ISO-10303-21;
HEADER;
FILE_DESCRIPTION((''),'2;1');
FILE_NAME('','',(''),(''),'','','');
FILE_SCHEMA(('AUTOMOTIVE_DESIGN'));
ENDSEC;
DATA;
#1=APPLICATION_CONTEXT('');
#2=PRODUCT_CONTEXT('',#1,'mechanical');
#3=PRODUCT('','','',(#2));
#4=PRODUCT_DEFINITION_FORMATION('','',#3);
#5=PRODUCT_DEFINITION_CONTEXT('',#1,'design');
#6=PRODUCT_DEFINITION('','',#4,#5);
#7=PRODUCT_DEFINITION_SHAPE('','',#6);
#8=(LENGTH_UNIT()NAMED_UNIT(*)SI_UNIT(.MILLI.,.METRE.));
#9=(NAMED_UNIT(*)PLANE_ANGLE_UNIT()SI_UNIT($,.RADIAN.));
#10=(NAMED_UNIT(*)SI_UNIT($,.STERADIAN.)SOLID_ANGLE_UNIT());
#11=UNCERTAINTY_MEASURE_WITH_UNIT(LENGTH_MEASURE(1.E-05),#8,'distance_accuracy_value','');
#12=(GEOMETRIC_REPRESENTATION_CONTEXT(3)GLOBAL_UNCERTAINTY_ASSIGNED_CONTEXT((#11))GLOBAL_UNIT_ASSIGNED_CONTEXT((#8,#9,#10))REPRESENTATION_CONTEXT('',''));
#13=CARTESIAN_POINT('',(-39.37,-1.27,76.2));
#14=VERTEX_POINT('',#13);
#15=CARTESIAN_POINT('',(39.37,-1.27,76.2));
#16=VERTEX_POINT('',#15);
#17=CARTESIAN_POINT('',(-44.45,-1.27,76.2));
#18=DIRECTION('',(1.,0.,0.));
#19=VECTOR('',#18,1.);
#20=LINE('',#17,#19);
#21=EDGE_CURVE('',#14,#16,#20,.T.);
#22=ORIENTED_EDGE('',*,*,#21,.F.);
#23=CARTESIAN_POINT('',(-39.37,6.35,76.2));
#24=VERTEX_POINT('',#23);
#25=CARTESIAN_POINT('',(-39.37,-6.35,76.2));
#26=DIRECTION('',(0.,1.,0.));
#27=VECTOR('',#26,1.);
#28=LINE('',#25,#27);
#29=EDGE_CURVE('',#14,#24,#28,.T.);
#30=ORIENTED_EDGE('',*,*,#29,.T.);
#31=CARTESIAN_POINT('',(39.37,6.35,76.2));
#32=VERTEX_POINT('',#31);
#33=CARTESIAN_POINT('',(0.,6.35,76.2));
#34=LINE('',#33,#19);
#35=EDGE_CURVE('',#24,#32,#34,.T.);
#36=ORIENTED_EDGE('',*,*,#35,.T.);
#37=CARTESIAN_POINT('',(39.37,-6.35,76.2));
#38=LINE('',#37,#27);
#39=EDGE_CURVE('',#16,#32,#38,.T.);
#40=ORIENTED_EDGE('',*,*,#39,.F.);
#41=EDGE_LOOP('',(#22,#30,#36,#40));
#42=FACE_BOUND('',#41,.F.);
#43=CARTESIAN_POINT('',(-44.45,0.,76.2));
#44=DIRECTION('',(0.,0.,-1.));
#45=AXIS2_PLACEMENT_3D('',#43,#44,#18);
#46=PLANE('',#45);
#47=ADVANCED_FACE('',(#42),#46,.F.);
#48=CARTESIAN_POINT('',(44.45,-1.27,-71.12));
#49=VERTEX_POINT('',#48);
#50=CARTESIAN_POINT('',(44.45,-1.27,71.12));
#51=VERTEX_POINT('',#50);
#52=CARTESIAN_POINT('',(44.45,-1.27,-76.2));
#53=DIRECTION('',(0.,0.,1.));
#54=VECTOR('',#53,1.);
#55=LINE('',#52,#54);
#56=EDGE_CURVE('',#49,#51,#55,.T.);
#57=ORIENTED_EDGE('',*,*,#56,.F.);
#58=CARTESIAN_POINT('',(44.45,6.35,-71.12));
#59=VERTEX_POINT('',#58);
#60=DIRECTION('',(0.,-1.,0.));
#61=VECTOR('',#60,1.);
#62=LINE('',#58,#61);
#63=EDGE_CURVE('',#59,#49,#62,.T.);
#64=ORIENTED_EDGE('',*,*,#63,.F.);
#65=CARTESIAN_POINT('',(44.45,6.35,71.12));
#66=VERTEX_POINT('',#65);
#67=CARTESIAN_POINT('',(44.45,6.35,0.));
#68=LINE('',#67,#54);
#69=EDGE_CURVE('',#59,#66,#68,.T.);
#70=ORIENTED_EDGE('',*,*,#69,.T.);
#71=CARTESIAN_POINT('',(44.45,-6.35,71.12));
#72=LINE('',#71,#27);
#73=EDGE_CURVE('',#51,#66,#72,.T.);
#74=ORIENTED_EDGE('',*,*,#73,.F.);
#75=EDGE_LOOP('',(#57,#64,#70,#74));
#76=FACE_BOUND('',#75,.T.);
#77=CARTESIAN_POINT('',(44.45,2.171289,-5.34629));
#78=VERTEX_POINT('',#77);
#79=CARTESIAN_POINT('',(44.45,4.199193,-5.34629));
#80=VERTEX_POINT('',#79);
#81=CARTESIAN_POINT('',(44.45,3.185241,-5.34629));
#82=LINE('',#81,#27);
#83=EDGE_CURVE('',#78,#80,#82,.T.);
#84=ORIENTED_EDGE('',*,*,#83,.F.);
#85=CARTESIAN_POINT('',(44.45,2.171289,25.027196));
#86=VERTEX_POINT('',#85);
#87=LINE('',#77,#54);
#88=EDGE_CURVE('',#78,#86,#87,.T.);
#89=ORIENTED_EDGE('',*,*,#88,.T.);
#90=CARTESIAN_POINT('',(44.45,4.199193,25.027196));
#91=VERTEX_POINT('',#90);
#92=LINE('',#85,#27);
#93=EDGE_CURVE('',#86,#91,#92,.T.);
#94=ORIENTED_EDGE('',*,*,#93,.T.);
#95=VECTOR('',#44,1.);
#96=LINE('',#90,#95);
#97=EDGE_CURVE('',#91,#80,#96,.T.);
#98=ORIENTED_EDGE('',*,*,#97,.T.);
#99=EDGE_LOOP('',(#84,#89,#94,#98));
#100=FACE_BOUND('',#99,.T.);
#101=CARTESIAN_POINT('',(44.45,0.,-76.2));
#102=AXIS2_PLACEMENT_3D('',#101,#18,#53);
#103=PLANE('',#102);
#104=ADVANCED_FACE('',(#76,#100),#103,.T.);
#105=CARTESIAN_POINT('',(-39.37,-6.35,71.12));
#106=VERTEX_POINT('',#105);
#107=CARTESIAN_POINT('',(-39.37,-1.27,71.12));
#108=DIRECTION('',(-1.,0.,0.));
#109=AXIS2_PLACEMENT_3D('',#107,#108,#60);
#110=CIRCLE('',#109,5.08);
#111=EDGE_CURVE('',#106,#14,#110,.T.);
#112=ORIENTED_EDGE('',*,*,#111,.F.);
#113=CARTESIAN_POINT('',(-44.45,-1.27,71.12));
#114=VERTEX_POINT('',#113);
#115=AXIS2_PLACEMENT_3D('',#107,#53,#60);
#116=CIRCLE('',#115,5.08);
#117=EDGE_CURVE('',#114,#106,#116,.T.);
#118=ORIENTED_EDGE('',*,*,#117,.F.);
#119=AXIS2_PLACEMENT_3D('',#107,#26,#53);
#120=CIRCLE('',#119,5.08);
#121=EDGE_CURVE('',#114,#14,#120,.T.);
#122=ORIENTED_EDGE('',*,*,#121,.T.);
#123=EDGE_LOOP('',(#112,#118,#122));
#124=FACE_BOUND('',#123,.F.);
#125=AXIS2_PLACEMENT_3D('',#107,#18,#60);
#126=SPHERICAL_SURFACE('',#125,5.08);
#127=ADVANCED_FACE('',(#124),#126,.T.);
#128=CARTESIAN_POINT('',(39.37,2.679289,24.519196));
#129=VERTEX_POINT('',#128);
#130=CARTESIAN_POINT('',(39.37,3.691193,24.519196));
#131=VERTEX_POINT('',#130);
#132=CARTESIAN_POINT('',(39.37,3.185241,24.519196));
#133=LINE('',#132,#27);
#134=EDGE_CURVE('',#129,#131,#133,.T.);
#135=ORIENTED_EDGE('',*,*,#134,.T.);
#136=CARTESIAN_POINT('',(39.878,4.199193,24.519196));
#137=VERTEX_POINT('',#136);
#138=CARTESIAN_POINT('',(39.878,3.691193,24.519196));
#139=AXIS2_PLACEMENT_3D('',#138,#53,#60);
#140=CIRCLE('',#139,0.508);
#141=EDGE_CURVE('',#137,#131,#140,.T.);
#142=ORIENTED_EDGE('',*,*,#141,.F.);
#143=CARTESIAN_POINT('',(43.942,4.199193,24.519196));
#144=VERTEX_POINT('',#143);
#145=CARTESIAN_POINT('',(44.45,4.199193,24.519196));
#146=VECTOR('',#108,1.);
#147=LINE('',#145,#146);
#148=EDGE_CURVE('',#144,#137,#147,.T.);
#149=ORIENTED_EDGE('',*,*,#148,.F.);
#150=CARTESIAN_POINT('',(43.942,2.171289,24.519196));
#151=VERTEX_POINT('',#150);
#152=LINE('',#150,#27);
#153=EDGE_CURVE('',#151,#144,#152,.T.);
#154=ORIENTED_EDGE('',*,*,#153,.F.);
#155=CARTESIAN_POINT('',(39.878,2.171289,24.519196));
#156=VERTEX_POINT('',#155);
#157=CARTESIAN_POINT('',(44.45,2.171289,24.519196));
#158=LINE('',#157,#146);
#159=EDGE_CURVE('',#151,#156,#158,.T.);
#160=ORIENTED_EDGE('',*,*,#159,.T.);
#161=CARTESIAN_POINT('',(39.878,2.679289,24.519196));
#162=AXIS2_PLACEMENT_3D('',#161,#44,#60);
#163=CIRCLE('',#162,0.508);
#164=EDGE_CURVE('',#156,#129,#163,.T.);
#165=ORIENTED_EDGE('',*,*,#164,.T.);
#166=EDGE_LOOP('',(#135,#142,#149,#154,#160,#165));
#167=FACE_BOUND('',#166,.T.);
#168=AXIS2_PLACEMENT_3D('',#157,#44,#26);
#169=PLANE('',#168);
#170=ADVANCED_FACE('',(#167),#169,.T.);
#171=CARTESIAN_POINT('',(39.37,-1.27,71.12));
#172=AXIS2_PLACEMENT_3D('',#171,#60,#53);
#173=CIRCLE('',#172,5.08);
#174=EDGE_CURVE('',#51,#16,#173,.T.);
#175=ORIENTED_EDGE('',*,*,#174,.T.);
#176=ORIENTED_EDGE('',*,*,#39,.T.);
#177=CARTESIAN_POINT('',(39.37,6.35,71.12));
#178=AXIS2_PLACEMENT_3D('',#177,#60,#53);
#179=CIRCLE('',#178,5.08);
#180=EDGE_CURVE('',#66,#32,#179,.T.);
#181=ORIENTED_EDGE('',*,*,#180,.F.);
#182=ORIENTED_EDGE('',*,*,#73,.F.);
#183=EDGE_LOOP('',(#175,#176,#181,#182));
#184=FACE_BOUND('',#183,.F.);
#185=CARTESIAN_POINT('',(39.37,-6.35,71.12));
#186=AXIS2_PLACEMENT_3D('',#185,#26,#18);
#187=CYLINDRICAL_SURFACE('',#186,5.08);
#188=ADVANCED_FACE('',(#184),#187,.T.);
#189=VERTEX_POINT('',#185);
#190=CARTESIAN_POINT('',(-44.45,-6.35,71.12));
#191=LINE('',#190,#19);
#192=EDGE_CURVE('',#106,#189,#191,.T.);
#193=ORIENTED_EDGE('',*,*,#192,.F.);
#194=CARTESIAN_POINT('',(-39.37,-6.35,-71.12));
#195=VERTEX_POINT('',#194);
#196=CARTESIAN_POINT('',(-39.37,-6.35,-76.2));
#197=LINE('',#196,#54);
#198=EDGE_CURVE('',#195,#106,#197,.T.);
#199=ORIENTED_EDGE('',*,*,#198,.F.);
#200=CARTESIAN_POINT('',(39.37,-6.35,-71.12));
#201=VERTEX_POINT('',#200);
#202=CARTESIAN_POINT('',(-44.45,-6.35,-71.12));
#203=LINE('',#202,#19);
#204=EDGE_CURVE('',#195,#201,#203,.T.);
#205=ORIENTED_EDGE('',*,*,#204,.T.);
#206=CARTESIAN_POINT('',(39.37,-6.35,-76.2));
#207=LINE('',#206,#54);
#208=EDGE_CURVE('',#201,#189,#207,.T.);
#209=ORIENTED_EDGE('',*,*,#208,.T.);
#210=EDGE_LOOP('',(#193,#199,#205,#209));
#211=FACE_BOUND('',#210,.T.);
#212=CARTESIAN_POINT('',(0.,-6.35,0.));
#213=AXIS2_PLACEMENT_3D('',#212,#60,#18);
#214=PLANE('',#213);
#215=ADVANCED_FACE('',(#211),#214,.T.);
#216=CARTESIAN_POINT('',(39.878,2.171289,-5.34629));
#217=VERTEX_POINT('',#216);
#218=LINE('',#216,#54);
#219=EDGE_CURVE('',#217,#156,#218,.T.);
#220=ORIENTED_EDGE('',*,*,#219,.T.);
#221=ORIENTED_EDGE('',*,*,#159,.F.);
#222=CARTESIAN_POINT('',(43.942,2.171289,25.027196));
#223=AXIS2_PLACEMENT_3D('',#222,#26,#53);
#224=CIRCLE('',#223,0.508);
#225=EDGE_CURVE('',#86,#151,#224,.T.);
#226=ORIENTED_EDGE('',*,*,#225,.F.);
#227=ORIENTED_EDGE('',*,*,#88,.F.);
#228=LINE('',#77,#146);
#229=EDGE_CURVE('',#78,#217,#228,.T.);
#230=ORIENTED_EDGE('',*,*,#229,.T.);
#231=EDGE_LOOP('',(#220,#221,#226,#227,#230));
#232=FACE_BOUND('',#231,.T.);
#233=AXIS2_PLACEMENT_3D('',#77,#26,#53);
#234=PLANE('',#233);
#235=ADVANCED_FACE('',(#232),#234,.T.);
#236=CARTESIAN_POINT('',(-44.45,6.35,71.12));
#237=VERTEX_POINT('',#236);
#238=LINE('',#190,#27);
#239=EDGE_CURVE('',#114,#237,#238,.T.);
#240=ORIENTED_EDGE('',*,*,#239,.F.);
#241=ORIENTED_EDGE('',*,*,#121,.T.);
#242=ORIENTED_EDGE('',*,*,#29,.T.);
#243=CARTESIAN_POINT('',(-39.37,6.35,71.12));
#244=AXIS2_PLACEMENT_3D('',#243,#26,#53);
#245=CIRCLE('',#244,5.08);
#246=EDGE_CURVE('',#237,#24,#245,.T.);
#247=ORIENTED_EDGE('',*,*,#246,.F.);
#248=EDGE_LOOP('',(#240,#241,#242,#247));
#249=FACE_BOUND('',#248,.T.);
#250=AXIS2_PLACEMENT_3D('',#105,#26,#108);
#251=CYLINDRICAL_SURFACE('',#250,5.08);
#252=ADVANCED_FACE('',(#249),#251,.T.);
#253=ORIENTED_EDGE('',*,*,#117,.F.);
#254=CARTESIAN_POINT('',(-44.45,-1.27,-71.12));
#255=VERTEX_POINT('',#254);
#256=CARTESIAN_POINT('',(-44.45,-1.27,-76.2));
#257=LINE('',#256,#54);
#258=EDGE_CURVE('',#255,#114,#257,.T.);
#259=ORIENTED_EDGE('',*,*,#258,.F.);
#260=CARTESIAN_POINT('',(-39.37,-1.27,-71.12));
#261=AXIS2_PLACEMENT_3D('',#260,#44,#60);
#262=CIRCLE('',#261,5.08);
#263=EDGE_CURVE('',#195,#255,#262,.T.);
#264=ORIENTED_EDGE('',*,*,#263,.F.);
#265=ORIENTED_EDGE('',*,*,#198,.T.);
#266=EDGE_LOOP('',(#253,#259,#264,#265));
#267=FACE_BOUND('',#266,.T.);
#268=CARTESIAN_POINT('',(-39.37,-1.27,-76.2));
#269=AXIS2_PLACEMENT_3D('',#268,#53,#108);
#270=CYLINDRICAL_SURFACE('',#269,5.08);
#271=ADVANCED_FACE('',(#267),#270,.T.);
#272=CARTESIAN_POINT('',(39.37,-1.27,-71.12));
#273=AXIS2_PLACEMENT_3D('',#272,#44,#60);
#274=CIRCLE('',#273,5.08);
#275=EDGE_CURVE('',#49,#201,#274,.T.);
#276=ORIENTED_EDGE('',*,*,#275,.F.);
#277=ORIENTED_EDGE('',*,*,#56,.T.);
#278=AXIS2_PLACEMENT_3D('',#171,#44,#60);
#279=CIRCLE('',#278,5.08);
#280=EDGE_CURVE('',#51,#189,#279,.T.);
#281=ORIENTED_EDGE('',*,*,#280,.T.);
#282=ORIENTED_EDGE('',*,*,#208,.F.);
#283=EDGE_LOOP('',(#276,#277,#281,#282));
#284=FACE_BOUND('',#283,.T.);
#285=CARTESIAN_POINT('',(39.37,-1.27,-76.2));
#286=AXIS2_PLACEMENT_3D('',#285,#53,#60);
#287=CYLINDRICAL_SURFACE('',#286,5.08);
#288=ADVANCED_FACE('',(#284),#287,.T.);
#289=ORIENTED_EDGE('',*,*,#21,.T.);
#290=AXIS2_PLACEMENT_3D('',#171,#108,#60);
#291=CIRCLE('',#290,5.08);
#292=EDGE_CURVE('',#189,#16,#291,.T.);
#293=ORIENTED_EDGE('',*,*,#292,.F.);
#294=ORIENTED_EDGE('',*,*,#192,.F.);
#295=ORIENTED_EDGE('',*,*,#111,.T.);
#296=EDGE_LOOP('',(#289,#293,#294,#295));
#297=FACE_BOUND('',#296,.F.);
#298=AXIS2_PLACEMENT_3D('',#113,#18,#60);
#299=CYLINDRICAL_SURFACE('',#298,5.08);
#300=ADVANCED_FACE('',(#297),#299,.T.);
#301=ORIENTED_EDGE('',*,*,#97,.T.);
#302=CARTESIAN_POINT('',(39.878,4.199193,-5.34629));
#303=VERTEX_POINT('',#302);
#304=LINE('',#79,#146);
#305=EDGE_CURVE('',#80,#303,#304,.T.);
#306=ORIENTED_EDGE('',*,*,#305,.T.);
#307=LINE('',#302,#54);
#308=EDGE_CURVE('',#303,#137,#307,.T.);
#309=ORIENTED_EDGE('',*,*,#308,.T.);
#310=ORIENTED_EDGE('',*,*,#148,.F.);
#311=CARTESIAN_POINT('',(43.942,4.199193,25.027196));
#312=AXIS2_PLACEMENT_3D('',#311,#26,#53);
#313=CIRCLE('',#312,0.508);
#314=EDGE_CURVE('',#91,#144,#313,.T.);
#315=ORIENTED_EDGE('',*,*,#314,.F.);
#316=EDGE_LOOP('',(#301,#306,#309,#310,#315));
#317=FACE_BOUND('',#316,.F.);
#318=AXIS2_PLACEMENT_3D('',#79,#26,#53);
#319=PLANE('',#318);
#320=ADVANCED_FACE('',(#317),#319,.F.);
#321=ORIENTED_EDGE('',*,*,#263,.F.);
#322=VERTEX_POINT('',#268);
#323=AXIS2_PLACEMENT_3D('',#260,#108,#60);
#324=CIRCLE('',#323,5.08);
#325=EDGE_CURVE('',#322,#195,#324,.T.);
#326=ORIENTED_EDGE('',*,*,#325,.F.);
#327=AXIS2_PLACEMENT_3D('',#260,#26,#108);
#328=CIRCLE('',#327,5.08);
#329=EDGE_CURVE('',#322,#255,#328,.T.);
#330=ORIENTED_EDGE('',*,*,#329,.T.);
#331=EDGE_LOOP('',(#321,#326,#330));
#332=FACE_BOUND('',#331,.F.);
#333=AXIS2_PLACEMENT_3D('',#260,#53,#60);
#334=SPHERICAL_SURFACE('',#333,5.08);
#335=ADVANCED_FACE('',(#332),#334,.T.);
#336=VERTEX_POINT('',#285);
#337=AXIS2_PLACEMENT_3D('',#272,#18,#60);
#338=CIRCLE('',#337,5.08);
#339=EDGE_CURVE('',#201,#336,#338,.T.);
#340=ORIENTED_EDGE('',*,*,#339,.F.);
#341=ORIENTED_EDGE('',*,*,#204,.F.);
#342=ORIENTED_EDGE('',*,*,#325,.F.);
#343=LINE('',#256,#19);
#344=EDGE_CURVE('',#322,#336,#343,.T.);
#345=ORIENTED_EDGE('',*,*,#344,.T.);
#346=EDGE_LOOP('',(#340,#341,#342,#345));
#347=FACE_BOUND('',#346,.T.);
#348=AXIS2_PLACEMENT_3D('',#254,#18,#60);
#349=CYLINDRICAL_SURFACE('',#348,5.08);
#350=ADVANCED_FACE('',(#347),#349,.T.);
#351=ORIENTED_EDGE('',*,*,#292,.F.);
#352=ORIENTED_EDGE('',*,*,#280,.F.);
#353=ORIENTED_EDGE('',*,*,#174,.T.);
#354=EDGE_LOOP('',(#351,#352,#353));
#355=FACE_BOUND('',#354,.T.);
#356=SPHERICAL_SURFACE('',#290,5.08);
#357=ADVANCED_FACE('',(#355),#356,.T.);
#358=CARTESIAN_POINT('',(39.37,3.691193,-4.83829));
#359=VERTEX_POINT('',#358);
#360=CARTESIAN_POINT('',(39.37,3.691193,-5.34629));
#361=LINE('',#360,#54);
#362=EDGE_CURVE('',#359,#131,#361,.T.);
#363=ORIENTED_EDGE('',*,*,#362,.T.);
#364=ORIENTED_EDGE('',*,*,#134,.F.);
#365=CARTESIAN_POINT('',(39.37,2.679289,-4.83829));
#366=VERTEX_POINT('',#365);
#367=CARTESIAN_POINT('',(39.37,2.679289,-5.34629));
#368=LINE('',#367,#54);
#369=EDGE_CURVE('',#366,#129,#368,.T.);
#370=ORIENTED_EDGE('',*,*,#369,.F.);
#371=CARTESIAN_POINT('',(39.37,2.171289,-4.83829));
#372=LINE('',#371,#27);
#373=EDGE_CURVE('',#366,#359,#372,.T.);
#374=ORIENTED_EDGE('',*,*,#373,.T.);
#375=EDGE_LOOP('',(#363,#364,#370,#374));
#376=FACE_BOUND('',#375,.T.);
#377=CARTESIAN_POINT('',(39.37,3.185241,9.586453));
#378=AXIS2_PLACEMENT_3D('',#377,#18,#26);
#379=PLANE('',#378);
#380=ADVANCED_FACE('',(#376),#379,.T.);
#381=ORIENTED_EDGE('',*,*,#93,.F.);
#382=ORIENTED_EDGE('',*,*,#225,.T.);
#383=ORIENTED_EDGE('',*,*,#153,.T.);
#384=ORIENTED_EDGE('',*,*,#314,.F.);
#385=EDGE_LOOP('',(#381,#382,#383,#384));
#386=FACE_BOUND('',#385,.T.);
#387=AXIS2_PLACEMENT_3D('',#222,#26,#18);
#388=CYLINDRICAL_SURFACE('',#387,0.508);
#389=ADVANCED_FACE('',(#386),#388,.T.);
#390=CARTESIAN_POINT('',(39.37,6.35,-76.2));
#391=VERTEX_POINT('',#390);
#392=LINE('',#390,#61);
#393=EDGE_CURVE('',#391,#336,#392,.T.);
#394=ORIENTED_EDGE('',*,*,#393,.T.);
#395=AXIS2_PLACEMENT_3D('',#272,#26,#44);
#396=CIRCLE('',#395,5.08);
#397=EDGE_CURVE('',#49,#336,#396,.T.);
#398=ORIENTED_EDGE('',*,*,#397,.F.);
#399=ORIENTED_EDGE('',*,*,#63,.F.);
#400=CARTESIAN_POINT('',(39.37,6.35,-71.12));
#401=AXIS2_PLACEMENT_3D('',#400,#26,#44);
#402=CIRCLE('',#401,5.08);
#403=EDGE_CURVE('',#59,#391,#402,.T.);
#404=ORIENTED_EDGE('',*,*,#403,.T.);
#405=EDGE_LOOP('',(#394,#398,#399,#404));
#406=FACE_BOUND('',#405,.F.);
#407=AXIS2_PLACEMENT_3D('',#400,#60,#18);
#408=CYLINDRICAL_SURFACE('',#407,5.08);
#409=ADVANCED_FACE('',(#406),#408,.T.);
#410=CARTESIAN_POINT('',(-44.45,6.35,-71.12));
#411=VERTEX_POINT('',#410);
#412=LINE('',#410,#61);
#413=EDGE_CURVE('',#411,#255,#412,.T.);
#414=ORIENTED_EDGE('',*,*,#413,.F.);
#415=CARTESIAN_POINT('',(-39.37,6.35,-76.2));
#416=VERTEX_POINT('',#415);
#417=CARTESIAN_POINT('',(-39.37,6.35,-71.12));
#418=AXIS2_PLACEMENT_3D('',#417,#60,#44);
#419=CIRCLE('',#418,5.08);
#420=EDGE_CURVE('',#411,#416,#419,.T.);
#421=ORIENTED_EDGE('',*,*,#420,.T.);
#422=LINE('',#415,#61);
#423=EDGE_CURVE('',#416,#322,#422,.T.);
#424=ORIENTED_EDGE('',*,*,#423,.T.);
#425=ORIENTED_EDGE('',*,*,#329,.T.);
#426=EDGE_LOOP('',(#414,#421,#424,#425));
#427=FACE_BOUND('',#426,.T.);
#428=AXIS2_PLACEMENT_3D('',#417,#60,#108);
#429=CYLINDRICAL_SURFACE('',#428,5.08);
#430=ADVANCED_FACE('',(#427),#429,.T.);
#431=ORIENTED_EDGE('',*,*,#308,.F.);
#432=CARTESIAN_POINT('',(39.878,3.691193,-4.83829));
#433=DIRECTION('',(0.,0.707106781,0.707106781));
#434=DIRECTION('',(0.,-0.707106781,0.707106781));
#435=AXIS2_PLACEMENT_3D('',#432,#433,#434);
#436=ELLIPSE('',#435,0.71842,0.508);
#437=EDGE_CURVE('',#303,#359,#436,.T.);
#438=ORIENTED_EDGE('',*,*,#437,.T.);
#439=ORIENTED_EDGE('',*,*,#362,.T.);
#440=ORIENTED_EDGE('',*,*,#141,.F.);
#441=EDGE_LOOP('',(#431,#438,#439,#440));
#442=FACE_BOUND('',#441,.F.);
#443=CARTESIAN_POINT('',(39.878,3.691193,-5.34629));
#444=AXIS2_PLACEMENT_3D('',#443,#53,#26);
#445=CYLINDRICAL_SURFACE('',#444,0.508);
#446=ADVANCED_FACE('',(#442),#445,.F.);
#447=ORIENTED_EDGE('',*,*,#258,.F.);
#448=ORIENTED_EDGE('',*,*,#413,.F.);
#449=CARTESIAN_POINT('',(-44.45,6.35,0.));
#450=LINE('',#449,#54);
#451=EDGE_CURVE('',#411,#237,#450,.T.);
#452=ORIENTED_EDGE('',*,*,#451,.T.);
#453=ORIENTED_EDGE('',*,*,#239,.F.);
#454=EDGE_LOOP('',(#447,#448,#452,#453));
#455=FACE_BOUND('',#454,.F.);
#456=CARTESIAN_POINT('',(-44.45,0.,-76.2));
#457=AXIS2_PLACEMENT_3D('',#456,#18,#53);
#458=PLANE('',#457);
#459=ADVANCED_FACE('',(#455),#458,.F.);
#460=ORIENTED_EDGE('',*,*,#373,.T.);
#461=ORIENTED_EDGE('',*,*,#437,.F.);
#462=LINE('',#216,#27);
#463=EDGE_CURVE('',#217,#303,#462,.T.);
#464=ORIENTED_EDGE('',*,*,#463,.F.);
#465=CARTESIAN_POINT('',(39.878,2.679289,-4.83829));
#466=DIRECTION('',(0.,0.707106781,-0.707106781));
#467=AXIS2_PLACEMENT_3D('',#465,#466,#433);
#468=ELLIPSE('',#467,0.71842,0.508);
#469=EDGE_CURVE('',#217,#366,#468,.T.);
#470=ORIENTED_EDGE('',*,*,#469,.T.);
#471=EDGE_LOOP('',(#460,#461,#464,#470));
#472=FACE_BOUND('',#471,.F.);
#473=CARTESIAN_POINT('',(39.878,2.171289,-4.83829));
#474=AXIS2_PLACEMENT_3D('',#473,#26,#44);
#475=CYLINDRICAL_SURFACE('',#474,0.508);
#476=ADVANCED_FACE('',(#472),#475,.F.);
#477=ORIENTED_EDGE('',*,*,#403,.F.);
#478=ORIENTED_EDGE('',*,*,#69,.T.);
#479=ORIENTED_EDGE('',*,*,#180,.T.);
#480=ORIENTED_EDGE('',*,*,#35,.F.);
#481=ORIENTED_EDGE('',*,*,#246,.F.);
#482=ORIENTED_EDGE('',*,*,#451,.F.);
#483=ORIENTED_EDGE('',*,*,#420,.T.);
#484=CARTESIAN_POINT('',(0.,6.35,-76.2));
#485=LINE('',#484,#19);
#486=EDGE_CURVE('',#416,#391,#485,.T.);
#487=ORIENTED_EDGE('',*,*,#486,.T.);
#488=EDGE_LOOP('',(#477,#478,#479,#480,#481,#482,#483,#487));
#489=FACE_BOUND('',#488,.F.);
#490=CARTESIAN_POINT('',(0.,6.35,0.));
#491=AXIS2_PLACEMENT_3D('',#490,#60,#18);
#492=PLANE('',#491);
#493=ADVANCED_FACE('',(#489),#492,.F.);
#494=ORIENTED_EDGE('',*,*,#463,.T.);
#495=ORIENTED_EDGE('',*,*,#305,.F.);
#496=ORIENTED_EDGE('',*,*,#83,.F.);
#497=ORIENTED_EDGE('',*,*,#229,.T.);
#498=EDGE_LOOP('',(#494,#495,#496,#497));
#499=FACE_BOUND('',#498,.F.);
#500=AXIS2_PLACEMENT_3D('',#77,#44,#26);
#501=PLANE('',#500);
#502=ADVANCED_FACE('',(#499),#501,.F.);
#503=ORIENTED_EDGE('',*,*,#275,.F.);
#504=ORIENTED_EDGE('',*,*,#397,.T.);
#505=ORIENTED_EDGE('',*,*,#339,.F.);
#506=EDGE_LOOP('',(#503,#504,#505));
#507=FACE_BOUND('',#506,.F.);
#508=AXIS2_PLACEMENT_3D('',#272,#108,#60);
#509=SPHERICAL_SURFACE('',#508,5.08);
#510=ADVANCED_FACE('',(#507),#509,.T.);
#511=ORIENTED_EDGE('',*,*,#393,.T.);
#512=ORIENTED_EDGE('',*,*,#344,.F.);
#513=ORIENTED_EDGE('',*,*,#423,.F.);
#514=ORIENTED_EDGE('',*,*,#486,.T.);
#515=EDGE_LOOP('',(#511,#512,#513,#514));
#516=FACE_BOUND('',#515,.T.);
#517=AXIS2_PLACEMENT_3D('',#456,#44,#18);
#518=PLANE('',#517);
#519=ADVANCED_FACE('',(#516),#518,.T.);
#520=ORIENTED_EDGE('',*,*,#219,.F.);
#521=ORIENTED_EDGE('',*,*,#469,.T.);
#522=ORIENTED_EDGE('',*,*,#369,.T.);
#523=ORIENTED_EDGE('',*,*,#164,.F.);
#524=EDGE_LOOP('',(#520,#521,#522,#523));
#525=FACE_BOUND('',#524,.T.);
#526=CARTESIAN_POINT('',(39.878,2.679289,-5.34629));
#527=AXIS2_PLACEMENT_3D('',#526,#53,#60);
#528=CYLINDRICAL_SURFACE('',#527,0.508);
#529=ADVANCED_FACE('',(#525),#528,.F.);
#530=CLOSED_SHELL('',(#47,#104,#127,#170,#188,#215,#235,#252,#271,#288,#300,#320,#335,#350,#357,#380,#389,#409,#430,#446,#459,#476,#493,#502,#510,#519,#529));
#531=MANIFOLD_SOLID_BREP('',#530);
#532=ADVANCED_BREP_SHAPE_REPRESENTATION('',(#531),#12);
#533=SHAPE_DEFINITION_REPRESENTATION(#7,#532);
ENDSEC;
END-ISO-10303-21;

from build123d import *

# Parameters (mm, degrees)
F0_W     = 88.9
F0_H     = 152.4
F1_DEPTH = 6.35
F2_R     = 5.08
F3_W     = 2.027904
F3_H     = 29.865486
F4_DEPTH = 5.08
F5_R     = 0.508


with BuildPart() as f1:
    # F0 (on Front) → F1 (new body, symmetric)
    with BuildSketch(Plane.XZ):
        Rectangle(F0_W, F0_H)
    extrude(amount=F1_DEPTH, both=True)

    # F2
    f2_edges = [f1.edges().sort_by_distance(p)[0] for p in [
        (0, -6.35, 76.2),
        (-44.45, -6.35, 0),
        (0, -6.35, -76.2),
        (44.45, -6.35, 0),
        (-44.45, 0, 76.2),
        (-44.45, 0, -76.2),
        (44.45, 0, -76.2),
        (44.45, 0, 76.2),
    ]]
    fillet(f2_edges, radius=F2_R)

    # F3 (on face) → F4 (cut)
    with BuildSketch(Plane.YZ.offset(44.45)):
        with Locations((3.185241, 9.586453)):
            Rectangle(F3_W, F3_H)
    extrude(amount=-F4_DEPTH, mode=Mode.SUBTRACT)

    # F5
    f5_edges = [f1.edges().sort_by_distance(p)[0] for p in [
        (39.37, 4.199193, 9.586453),
        (39.37, 2.171289, 9.586453),
        (39.37, 3.185241, -5.34629),
        (44.45, 3.185241, 24.519196),
    ]]
    fillet(f5_edges, radius=F5_R)


solid = f1.part
